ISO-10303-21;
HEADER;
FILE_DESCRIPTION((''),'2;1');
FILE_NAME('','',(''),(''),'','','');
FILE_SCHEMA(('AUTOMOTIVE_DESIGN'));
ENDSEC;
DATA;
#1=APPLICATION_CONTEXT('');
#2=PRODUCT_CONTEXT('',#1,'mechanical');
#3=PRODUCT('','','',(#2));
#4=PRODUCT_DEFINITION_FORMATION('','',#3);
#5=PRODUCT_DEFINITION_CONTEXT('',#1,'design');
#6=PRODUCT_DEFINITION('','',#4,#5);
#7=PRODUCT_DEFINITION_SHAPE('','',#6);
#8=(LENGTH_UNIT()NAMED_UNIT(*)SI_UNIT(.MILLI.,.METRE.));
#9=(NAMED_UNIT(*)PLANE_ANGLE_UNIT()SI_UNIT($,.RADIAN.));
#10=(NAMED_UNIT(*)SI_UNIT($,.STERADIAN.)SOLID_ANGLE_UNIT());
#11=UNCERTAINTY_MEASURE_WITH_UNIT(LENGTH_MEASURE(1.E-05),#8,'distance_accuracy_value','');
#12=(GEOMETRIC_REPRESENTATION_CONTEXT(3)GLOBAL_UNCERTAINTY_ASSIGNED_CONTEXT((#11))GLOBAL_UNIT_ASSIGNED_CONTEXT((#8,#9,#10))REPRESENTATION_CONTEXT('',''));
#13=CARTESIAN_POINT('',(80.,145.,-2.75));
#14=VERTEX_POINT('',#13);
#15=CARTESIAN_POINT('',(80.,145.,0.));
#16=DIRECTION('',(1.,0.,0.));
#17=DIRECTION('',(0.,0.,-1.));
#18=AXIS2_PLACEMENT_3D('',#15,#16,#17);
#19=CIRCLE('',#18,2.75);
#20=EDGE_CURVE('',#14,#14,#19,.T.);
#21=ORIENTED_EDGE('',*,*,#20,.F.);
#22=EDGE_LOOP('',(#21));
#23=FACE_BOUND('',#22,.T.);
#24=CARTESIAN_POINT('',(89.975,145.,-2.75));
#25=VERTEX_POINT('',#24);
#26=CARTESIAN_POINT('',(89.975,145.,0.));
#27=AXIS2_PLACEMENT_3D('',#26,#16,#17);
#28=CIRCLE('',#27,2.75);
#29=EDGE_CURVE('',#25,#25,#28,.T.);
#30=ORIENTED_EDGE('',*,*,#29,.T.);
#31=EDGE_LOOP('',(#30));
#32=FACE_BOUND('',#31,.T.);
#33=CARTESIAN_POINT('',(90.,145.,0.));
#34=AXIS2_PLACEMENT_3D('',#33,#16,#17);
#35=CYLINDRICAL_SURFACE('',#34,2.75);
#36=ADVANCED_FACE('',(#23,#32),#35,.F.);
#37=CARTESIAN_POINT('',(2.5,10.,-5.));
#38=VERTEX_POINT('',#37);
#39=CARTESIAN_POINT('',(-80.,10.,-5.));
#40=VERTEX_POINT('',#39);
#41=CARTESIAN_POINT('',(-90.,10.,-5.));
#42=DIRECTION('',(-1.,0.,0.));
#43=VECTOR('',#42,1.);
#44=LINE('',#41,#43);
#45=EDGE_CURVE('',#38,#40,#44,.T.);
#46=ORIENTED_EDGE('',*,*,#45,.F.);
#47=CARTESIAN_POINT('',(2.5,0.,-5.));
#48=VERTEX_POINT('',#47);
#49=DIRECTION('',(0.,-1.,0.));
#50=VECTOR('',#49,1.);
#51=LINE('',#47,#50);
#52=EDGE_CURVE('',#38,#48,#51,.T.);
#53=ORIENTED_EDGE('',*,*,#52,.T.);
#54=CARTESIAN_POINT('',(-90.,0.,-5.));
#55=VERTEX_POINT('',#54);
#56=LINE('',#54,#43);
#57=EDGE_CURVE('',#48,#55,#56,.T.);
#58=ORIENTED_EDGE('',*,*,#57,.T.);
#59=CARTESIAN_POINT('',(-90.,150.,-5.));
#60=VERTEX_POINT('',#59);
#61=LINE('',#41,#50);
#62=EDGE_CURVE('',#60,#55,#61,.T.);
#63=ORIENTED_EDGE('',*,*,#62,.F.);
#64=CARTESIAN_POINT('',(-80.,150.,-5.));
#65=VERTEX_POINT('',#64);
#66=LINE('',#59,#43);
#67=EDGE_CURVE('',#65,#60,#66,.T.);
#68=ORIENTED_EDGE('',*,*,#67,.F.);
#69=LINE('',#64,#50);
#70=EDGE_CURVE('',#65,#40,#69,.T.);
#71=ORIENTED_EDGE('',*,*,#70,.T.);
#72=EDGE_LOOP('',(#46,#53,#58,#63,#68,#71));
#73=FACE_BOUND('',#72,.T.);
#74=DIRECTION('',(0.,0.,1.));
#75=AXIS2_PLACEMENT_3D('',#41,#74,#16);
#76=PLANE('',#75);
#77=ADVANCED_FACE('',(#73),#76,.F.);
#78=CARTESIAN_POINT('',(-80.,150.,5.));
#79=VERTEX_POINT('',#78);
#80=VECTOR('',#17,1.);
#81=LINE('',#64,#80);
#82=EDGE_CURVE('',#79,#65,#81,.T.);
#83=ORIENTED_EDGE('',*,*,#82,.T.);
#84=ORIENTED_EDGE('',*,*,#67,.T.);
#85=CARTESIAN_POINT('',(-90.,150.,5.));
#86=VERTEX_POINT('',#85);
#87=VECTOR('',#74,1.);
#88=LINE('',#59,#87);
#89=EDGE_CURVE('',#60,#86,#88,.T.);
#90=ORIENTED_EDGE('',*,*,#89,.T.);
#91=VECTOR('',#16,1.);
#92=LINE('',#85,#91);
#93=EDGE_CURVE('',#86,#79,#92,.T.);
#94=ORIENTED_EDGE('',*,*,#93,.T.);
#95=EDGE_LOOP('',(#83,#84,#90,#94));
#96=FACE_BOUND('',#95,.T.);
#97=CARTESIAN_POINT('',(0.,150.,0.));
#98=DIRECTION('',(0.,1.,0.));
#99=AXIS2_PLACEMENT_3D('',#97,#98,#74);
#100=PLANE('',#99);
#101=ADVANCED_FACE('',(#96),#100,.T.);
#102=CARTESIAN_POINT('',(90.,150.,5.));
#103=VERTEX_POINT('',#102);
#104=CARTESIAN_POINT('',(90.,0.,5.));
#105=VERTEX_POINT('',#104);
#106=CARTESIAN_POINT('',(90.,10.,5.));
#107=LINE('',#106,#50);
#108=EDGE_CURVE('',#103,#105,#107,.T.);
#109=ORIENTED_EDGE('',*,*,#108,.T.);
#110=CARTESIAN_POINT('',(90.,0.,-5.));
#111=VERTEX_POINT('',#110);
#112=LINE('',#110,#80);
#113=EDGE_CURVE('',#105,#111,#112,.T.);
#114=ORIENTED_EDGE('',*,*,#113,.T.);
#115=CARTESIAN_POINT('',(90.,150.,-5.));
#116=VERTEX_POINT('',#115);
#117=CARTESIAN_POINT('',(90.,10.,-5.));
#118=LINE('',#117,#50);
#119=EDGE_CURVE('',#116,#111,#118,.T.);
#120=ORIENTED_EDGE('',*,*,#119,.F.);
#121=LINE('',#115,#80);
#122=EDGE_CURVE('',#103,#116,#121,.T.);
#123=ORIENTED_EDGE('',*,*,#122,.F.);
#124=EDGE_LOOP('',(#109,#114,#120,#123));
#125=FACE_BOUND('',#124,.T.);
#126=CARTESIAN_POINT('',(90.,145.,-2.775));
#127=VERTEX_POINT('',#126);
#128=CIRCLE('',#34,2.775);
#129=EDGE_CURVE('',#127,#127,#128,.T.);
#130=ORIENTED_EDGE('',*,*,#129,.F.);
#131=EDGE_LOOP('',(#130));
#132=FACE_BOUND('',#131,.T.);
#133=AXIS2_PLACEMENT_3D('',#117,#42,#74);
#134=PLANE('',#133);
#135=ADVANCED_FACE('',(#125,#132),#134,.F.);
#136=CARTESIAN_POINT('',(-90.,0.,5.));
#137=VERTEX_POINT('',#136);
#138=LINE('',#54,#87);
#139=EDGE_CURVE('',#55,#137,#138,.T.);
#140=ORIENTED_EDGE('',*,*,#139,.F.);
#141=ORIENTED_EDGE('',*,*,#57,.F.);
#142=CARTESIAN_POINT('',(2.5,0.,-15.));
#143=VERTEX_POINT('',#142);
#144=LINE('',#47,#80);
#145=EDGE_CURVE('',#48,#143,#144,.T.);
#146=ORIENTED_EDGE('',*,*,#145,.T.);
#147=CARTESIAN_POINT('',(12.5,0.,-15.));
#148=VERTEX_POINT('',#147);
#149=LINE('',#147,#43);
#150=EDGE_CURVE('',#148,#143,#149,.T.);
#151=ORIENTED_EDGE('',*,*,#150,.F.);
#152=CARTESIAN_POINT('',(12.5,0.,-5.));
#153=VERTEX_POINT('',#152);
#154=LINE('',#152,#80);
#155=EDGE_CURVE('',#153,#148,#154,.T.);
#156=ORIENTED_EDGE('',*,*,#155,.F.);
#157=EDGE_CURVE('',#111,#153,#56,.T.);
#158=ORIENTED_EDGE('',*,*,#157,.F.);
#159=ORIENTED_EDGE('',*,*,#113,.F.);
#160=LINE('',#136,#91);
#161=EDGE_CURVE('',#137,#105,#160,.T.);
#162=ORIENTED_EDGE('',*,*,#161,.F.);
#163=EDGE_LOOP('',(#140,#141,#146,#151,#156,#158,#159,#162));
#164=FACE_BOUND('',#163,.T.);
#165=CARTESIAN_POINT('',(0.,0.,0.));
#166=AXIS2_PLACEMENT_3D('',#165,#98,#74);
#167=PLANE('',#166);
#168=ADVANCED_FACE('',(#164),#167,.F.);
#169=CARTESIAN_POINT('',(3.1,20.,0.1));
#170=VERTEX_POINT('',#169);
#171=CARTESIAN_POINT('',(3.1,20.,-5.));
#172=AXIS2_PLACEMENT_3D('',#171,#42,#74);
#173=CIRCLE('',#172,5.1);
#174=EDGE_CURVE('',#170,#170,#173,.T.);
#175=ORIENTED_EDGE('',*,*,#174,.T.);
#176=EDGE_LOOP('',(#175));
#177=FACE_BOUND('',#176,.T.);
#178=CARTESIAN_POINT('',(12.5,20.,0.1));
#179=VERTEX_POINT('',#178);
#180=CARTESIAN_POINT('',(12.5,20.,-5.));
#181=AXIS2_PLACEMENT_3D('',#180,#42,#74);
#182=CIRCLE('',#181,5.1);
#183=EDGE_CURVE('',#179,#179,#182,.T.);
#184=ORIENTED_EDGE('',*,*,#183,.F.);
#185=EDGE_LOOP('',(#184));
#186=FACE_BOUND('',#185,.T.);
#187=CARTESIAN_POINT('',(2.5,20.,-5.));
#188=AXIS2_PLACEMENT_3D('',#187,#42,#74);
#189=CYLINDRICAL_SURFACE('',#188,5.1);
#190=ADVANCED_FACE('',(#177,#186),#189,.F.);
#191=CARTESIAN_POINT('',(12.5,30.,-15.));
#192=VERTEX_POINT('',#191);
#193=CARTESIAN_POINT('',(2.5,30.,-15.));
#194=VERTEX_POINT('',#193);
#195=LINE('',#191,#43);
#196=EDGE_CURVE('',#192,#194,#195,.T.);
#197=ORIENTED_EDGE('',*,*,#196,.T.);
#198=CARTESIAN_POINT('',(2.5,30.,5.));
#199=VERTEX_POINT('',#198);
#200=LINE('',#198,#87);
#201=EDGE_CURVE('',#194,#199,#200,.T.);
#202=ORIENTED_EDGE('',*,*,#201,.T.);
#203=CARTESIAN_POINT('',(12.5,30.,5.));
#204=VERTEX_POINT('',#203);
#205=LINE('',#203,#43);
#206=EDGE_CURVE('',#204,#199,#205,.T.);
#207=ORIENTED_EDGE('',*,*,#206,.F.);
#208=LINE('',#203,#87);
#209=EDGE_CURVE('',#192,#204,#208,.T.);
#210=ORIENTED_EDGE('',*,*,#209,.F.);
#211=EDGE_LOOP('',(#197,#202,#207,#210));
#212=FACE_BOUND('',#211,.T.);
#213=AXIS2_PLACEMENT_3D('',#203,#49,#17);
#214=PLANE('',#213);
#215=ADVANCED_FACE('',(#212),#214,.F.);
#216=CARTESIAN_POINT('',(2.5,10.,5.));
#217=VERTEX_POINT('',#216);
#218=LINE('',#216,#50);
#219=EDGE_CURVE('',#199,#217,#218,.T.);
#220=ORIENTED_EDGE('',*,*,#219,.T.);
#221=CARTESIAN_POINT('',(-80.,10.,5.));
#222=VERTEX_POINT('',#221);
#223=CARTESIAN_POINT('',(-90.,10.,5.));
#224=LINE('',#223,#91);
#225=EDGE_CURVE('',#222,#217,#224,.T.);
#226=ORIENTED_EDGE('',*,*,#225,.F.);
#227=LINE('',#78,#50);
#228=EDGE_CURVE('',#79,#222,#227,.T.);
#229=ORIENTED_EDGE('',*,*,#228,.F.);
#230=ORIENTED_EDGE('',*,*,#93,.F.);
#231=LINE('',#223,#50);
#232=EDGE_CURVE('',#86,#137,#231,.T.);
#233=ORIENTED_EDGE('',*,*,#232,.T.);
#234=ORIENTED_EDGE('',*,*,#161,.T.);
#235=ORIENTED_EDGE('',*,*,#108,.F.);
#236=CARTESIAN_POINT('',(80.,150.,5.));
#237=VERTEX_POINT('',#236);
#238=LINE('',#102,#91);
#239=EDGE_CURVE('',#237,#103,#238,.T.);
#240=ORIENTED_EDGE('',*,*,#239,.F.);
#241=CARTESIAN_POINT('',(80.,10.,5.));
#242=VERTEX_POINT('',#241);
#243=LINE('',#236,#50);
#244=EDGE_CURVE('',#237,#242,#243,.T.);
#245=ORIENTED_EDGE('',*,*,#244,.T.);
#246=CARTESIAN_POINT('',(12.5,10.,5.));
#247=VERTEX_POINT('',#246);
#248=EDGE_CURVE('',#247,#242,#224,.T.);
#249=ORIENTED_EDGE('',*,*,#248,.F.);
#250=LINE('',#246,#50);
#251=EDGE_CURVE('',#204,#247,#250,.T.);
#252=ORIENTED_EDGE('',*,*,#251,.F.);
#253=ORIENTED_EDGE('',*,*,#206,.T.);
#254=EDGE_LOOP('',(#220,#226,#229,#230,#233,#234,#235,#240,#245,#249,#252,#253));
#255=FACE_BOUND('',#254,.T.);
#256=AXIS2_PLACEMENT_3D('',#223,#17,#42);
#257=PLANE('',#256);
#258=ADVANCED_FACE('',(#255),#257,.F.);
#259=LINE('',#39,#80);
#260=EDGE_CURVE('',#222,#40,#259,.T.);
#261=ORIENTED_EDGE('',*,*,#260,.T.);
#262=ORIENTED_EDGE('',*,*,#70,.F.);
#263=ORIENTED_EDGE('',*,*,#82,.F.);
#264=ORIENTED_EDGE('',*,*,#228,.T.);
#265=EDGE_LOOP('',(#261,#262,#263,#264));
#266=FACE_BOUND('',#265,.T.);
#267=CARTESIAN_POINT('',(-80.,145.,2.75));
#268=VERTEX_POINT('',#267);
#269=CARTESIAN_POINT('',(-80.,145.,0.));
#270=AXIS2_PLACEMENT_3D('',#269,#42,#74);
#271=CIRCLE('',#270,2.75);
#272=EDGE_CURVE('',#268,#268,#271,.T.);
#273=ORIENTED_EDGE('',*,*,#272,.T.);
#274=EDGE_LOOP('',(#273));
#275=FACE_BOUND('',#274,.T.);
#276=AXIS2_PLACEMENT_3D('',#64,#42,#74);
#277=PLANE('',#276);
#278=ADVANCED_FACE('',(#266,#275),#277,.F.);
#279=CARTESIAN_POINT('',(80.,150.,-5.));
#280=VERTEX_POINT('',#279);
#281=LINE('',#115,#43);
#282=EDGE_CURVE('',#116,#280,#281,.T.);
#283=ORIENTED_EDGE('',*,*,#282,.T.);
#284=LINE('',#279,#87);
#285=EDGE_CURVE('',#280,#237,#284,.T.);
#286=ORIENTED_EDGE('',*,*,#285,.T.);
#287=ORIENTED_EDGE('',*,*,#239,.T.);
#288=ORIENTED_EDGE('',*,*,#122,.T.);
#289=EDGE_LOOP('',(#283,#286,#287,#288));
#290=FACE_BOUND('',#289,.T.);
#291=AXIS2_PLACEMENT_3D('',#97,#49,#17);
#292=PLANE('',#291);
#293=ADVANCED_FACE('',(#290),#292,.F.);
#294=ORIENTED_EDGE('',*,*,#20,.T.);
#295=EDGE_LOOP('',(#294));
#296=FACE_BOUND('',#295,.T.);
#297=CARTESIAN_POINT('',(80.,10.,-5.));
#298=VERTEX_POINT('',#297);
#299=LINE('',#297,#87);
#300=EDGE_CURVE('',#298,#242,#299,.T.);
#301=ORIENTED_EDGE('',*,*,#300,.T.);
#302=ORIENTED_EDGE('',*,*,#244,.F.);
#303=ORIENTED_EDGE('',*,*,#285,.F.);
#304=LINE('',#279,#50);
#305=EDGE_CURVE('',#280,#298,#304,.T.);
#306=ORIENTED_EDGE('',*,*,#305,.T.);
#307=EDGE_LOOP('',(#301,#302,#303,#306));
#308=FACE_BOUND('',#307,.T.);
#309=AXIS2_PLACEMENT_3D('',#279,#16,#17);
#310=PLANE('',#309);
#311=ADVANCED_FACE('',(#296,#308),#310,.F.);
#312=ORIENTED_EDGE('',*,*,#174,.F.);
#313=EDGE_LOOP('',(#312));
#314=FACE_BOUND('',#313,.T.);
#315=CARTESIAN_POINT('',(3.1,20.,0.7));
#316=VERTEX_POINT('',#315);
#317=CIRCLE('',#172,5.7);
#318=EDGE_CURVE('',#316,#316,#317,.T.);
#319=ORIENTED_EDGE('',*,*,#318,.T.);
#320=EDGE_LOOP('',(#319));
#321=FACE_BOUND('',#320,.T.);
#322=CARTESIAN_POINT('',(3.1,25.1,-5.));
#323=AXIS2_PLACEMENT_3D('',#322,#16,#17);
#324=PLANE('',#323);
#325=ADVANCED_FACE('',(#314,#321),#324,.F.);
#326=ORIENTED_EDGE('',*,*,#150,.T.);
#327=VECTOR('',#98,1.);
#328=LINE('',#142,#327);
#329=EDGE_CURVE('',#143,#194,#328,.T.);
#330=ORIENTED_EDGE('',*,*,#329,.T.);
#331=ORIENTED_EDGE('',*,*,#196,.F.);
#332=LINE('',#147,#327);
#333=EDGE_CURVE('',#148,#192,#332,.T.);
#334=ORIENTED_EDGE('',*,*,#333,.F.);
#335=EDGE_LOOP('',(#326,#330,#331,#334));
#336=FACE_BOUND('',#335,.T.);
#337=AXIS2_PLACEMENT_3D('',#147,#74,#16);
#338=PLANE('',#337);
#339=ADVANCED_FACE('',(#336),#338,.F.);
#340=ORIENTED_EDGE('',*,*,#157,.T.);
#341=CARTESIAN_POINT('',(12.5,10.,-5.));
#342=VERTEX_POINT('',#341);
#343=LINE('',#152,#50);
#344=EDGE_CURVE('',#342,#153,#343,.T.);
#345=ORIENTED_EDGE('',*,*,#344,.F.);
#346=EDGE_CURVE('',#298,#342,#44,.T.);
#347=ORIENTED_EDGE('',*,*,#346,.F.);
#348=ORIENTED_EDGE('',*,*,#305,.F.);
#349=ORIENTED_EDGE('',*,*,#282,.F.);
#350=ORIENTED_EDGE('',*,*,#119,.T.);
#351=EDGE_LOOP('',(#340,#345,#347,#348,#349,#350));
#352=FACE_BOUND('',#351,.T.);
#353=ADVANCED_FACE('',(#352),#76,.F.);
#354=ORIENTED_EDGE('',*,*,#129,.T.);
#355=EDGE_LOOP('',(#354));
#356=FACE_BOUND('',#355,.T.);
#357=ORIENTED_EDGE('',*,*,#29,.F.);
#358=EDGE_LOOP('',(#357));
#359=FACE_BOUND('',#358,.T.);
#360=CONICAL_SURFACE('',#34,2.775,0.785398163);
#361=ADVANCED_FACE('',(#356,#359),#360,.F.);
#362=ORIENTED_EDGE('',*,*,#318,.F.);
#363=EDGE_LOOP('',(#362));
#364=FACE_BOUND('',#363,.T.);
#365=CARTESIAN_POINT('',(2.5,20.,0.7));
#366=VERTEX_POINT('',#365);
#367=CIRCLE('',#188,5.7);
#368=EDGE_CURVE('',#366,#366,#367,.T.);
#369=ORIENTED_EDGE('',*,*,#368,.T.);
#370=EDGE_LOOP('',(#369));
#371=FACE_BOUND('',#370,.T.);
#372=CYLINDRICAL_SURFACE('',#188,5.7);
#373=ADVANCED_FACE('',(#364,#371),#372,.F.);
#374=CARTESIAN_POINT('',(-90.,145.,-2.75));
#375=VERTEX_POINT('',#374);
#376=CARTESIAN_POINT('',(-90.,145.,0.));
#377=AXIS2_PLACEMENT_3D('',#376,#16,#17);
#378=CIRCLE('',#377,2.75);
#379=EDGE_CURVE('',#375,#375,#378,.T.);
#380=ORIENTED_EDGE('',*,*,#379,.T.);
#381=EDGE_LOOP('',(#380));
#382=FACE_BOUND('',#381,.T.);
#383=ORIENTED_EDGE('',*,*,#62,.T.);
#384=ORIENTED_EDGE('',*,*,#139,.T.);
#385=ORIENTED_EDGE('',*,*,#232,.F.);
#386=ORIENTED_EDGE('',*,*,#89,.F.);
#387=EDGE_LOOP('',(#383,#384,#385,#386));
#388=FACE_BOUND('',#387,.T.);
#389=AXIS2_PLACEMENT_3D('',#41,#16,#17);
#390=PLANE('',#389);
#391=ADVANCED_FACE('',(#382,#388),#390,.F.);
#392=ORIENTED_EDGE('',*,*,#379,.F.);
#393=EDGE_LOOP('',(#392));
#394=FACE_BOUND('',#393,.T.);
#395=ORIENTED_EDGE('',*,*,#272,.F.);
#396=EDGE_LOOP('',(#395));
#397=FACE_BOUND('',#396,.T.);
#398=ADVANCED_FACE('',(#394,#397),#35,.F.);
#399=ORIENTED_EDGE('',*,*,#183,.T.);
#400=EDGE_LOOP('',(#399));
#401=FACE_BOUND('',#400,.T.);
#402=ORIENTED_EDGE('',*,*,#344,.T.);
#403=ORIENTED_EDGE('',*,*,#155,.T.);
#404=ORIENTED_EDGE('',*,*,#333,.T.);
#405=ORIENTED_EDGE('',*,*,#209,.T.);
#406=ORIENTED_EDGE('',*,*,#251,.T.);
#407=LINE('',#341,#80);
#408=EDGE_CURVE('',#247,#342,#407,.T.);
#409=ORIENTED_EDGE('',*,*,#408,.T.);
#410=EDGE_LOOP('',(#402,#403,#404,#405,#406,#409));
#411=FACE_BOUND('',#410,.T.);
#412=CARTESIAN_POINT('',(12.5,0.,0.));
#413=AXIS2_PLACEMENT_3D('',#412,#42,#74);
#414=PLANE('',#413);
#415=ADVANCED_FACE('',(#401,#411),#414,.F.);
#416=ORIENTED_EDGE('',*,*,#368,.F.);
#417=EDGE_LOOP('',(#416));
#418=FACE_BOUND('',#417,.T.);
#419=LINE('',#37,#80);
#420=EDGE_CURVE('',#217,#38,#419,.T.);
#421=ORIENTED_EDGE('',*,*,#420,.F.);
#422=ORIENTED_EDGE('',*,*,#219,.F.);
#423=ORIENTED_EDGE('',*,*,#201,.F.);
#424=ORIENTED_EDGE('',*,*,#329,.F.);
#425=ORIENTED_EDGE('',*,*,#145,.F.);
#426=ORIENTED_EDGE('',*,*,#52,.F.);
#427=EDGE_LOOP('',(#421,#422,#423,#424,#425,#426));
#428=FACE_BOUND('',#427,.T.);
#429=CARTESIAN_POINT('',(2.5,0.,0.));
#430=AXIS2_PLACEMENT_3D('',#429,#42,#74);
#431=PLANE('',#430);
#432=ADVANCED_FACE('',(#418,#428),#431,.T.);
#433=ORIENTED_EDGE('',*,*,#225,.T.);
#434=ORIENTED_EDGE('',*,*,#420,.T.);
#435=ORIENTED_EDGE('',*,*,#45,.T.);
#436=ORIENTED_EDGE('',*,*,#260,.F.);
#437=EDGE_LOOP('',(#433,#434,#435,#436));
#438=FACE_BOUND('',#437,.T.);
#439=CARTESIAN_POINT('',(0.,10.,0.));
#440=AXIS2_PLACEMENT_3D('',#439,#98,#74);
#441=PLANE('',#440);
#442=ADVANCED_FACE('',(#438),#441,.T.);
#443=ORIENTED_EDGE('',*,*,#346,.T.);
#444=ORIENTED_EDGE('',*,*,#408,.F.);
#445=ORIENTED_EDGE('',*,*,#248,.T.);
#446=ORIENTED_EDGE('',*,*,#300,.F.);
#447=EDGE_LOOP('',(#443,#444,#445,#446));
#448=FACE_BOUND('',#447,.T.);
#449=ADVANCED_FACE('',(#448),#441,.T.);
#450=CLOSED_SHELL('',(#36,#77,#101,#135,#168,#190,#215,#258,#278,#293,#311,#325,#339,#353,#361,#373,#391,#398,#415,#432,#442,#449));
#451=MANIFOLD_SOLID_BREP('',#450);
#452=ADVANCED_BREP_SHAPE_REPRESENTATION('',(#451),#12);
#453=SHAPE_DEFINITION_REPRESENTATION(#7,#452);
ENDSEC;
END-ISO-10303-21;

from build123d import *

# Parameters (mm, degrees)
SKETCH1_W                      = 180
SKETCH1_H                      = 10
BOSS_EXTRUDE1_DEPTH            = 10
SKETCH2_W                      = 10
SKETCH2_H                      = 10
BOSS_EXTRUDE2_DEPTH            = 140
M5_CLEARANCE_HOLE1_D           = 5.5
M5_CLEARANCE_HOLE1_CSINK_D     = 5.55
M5_CLEARANCE_HOLE1_CSINK_ANGLE = 90
BOSS_EXTRUDE3_START            = 2.5
BOSS_EXTRUDE3_DEPTH            = 10
HOLE1_D                        = 10.2
HOLE1_DEPTH                    = 10
HOLE1_CBORE_D                  = 11.4
HOLE1_CBORE_DEPTH              = 0.6


with BuildPart() as part:
    # Sketch1 → Boss-Extrude1 (new body)
    with BuildSketch(Plane(origin=(0, 0, 0), x_dir=(1, 0, 0), z_dir=(0, 1, 0))):
        Rectangle(SKETCH1_W, SKETCH1_H)
    extrude(amount=BOSS_EXTRUDE1_DEPTH)

    # Sketch2 → Boss-Extrude2 (add)
    with BuildSketch(Plane(origin=(0, 10, 0), x_dir=(1, 0, 0), z_dir=(0, 1, 0))):
        with Locations((-85, 0)):
            Rectangle(SKETCH2_W, SKETCH2_H)
        with Locations((85, 0)):
            Rectangle(SKETCH2_W, SKETCH2_H)
    extrude(amount=BOSS_EXTRUDE2_DEPTH)

    # M5 Clearance Hole1 (through all)
    with Locations(Plane(origin=(90, 0, 0), x_dir=(0, 0, -1), z_dir=(1, 0, 0))):
        with Locations((0, 145)):
            CounterSinkHole(M5_CLEARANCE_HOLE1_D / 2, M5_CLEARANCE_HOLE1_CSINK_D / 2, counter_sink_angle=M5_CLEARANCE_HOLE1_CSINK_ANGLE)

    # Sketch6 → Boss-Extrude3 (add)
    with BuildSketch(Plane(origin=(0, 0, 0), x_dir=(0, 0, -1), z_dir=(1, 0, 0)).offset(BOSS_EXTRUDE3_START)):
        Polygon((5, 0), (5, 10), (-5, 10), (-5, 30), (15, 30), (15, 0), align=None)
    extrude(amount=BOSS_EXTRUDE3_DEPTH)

    # Hole1
    with Locations(Plane.ZY.offset(-2.5)):
        with Locations((-5, 20)):
            CounterBoreHole(HOLE1_D / 2, HOLE1_CBORE_D / 2, HOLE1_CBORE_DEPTH, depth=HOLE1_DEPTH)


solid = part.part
